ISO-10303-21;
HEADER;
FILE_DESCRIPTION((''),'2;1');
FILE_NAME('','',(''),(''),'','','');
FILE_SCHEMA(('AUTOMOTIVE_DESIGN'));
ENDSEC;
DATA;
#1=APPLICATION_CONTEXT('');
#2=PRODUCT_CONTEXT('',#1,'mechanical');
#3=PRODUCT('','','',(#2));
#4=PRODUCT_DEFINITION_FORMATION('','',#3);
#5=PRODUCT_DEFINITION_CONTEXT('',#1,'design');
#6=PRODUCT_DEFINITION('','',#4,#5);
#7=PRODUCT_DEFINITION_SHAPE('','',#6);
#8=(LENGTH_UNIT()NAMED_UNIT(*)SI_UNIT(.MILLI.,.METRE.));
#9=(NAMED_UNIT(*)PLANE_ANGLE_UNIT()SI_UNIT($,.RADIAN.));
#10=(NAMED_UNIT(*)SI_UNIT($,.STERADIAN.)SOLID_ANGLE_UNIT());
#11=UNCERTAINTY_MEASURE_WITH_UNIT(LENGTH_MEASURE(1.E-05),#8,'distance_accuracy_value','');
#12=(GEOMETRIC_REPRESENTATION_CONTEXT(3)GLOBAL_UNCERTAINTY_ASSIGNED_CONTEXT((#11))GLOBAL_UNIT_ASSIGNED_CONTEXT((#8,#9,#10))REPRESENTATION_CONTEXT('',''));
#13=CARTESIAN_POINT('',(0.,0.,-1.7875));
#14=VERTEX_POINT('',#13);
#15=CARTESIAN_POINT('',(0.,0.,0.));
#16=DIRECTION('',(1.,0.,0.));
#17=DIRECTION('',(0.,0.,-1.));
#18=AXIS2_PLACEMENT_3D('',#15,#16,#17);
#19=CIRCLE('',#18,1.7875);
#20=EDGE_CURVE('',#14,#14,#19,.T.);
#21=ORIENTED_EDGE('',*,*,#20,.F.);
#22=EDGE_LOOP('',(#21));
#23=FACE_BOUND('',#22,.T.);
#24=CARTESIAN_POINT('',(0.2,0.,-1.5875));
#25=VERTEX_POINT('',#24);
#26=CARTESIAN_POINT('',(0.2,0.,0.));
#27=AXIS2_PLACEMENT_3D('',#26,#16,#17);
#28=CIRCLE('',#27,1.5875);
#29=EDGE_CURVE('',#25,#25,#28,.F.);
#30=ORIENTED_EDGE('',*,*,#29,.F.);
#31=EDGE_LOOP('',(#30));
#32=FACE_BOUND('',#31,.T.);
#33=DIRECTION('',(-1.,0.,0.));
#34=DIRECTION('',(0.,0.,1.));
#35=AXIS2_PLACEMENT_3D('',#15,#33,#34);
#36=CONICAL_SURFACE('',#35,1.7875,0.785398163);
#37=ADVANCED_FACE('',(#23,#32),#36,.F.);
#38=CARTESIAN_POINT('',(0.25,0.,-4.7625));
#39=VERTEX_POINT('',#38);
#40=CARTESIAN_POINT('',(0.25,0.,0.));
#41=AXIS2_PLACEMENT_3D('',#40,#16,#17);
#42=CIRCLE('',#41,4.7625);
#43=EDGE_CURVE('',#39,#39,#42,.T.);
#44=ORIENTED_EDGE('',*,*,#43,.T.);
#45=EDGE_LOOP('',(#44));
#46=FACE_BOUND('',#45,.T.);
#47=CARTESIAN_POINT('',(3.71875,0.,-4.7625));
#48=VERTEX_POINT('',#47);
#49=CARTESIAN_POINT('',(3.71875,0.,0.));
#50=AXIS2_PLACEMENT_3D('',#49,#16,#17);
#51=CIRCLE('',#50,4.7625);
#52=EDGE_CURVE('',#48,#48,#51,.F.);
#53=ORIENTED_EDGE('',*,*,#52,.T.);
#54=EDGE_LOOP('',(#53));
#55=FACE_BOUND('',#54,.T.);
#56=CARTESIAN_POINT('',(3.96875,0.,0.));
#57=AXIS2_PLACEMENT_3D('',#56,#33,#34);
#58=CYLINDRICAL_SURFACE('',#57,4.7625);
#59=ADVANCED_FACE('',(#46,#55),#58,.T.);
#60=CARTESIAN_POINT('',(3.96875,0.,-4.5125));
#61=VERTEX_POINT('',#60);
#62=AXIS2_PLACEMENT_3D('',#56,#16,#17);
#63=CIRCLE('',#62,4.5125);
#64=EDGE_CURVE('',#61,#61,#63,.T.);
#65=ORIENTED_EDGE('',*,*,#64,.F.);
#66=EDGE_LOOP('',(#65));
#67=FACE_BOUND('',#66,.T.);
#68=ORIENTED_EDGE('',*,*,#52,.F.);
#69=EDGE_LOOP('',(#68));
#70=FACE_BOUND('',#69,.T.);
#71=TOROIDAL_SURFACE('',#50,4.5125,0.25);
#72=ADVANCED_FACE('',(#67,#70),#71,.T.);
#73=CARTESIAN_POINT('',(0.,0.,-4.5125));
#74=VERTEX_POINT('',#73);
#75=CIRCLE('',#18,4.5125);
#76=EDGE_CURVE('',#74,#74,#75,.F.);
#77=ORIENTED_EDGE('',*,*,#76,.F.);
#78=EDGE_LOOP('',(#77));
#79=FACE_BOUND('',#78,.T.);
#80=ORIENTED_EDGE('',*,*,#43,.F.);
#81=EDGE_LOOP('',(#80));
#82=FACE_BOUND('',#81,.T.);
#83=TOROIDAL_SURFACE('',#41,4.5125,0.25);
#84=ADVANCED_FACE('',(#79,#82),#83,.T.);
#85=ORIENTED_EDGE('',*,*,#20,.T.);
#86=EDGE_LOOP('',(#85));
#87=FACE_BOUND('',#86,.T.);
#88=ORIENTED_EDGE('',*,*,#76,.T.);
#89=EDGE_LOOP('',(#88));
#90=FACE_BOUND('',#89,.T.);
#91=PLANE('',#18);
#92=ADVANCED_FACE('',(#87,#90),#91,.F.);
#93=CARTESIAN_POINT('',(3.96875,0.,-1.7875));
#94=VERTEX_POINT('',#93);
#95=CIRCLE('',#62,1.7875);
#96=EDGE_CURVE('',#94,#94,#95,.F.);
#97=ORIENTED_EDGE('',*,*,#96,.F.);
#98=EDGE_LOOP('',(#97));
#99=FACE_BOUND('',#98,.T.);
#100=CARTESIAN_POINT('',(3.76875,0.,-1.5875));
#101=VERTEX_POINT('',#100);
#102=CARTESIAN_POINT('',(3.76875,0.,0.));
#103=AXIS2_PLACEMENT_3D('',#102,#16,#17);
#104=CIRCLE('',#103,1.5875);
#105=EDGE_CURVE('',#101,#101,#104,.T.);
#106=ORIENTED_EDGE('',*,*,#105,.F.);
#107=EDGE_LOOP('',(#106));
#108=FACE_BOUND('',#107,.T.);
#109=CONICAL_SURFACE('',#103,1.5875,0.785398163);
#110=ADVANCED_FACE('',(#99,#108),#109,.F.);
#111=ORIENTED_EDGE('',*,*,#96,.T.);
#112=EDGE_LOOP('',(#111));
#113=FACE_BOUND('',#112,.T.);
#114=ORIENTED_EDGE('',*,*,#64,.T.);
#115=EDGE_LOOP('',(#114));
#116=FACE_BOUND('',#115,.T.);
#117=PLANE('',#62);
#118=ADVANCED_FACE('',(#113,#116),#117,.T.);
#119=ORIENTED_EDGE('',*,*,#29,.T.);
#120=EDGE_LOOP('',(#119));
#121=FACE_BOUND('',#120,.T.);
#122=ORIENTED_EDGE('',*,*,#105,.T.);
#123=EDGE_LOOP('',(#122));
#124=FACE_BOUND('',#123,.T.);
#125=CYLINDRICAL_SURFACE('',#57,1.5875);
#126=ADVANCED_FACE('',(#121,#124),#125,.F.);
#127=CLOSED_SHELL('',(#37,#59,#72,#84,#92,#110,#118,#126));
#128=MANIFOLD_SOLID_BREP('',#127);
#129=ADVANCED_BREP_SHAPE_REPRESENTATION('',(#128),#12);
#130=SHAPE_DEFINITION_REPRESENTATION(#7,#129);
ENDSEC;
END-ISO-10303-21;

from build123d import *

# Parameters (mm, degrees)
SKETCH1_R           = 4.7625
SKETCH1_R_2         = 1.5875
BOSS_EXTRUDE1_DEPTH = 3.96875
CHAMFER1_SIZE       = 0.2
FILLET1_R           = 0.25


with BuildPart() as part:
    # Sketch1 → Boss-Extrude1 (new body)
    with BuildSketch(Plane(origin=(0, 0, 0), x_dir=(0, 0, -1), z_dir=(1, 0, 0))):
        Circle(SKETCH1_R)
        Circle(SKETCH1_R_2, mode=Mode.SUBTRACT)
    extrude(amount=BOSS_EXTRUDE1_DEPTH)

    # Chamfer1
    chamfer1_edges = [part.edges().sort_by_distance(p)[0] for p in [
        (0, 0, 1.5875),
        (3.96875, 0, 1.5875),
    ]]
    chamfer(chamfer1_edges, length=CHAMFER1_SIZE)

    # Fillet1
    fillet1_edges = [part.edges().sort_by_distance(p)[0] for p in [
        (0, 0, 4.7625),
        (3.96875, 0, 4.7625),
    ]]
    fillet(fillet1_edges, radius=FILLET1_R)


solid = part.part
